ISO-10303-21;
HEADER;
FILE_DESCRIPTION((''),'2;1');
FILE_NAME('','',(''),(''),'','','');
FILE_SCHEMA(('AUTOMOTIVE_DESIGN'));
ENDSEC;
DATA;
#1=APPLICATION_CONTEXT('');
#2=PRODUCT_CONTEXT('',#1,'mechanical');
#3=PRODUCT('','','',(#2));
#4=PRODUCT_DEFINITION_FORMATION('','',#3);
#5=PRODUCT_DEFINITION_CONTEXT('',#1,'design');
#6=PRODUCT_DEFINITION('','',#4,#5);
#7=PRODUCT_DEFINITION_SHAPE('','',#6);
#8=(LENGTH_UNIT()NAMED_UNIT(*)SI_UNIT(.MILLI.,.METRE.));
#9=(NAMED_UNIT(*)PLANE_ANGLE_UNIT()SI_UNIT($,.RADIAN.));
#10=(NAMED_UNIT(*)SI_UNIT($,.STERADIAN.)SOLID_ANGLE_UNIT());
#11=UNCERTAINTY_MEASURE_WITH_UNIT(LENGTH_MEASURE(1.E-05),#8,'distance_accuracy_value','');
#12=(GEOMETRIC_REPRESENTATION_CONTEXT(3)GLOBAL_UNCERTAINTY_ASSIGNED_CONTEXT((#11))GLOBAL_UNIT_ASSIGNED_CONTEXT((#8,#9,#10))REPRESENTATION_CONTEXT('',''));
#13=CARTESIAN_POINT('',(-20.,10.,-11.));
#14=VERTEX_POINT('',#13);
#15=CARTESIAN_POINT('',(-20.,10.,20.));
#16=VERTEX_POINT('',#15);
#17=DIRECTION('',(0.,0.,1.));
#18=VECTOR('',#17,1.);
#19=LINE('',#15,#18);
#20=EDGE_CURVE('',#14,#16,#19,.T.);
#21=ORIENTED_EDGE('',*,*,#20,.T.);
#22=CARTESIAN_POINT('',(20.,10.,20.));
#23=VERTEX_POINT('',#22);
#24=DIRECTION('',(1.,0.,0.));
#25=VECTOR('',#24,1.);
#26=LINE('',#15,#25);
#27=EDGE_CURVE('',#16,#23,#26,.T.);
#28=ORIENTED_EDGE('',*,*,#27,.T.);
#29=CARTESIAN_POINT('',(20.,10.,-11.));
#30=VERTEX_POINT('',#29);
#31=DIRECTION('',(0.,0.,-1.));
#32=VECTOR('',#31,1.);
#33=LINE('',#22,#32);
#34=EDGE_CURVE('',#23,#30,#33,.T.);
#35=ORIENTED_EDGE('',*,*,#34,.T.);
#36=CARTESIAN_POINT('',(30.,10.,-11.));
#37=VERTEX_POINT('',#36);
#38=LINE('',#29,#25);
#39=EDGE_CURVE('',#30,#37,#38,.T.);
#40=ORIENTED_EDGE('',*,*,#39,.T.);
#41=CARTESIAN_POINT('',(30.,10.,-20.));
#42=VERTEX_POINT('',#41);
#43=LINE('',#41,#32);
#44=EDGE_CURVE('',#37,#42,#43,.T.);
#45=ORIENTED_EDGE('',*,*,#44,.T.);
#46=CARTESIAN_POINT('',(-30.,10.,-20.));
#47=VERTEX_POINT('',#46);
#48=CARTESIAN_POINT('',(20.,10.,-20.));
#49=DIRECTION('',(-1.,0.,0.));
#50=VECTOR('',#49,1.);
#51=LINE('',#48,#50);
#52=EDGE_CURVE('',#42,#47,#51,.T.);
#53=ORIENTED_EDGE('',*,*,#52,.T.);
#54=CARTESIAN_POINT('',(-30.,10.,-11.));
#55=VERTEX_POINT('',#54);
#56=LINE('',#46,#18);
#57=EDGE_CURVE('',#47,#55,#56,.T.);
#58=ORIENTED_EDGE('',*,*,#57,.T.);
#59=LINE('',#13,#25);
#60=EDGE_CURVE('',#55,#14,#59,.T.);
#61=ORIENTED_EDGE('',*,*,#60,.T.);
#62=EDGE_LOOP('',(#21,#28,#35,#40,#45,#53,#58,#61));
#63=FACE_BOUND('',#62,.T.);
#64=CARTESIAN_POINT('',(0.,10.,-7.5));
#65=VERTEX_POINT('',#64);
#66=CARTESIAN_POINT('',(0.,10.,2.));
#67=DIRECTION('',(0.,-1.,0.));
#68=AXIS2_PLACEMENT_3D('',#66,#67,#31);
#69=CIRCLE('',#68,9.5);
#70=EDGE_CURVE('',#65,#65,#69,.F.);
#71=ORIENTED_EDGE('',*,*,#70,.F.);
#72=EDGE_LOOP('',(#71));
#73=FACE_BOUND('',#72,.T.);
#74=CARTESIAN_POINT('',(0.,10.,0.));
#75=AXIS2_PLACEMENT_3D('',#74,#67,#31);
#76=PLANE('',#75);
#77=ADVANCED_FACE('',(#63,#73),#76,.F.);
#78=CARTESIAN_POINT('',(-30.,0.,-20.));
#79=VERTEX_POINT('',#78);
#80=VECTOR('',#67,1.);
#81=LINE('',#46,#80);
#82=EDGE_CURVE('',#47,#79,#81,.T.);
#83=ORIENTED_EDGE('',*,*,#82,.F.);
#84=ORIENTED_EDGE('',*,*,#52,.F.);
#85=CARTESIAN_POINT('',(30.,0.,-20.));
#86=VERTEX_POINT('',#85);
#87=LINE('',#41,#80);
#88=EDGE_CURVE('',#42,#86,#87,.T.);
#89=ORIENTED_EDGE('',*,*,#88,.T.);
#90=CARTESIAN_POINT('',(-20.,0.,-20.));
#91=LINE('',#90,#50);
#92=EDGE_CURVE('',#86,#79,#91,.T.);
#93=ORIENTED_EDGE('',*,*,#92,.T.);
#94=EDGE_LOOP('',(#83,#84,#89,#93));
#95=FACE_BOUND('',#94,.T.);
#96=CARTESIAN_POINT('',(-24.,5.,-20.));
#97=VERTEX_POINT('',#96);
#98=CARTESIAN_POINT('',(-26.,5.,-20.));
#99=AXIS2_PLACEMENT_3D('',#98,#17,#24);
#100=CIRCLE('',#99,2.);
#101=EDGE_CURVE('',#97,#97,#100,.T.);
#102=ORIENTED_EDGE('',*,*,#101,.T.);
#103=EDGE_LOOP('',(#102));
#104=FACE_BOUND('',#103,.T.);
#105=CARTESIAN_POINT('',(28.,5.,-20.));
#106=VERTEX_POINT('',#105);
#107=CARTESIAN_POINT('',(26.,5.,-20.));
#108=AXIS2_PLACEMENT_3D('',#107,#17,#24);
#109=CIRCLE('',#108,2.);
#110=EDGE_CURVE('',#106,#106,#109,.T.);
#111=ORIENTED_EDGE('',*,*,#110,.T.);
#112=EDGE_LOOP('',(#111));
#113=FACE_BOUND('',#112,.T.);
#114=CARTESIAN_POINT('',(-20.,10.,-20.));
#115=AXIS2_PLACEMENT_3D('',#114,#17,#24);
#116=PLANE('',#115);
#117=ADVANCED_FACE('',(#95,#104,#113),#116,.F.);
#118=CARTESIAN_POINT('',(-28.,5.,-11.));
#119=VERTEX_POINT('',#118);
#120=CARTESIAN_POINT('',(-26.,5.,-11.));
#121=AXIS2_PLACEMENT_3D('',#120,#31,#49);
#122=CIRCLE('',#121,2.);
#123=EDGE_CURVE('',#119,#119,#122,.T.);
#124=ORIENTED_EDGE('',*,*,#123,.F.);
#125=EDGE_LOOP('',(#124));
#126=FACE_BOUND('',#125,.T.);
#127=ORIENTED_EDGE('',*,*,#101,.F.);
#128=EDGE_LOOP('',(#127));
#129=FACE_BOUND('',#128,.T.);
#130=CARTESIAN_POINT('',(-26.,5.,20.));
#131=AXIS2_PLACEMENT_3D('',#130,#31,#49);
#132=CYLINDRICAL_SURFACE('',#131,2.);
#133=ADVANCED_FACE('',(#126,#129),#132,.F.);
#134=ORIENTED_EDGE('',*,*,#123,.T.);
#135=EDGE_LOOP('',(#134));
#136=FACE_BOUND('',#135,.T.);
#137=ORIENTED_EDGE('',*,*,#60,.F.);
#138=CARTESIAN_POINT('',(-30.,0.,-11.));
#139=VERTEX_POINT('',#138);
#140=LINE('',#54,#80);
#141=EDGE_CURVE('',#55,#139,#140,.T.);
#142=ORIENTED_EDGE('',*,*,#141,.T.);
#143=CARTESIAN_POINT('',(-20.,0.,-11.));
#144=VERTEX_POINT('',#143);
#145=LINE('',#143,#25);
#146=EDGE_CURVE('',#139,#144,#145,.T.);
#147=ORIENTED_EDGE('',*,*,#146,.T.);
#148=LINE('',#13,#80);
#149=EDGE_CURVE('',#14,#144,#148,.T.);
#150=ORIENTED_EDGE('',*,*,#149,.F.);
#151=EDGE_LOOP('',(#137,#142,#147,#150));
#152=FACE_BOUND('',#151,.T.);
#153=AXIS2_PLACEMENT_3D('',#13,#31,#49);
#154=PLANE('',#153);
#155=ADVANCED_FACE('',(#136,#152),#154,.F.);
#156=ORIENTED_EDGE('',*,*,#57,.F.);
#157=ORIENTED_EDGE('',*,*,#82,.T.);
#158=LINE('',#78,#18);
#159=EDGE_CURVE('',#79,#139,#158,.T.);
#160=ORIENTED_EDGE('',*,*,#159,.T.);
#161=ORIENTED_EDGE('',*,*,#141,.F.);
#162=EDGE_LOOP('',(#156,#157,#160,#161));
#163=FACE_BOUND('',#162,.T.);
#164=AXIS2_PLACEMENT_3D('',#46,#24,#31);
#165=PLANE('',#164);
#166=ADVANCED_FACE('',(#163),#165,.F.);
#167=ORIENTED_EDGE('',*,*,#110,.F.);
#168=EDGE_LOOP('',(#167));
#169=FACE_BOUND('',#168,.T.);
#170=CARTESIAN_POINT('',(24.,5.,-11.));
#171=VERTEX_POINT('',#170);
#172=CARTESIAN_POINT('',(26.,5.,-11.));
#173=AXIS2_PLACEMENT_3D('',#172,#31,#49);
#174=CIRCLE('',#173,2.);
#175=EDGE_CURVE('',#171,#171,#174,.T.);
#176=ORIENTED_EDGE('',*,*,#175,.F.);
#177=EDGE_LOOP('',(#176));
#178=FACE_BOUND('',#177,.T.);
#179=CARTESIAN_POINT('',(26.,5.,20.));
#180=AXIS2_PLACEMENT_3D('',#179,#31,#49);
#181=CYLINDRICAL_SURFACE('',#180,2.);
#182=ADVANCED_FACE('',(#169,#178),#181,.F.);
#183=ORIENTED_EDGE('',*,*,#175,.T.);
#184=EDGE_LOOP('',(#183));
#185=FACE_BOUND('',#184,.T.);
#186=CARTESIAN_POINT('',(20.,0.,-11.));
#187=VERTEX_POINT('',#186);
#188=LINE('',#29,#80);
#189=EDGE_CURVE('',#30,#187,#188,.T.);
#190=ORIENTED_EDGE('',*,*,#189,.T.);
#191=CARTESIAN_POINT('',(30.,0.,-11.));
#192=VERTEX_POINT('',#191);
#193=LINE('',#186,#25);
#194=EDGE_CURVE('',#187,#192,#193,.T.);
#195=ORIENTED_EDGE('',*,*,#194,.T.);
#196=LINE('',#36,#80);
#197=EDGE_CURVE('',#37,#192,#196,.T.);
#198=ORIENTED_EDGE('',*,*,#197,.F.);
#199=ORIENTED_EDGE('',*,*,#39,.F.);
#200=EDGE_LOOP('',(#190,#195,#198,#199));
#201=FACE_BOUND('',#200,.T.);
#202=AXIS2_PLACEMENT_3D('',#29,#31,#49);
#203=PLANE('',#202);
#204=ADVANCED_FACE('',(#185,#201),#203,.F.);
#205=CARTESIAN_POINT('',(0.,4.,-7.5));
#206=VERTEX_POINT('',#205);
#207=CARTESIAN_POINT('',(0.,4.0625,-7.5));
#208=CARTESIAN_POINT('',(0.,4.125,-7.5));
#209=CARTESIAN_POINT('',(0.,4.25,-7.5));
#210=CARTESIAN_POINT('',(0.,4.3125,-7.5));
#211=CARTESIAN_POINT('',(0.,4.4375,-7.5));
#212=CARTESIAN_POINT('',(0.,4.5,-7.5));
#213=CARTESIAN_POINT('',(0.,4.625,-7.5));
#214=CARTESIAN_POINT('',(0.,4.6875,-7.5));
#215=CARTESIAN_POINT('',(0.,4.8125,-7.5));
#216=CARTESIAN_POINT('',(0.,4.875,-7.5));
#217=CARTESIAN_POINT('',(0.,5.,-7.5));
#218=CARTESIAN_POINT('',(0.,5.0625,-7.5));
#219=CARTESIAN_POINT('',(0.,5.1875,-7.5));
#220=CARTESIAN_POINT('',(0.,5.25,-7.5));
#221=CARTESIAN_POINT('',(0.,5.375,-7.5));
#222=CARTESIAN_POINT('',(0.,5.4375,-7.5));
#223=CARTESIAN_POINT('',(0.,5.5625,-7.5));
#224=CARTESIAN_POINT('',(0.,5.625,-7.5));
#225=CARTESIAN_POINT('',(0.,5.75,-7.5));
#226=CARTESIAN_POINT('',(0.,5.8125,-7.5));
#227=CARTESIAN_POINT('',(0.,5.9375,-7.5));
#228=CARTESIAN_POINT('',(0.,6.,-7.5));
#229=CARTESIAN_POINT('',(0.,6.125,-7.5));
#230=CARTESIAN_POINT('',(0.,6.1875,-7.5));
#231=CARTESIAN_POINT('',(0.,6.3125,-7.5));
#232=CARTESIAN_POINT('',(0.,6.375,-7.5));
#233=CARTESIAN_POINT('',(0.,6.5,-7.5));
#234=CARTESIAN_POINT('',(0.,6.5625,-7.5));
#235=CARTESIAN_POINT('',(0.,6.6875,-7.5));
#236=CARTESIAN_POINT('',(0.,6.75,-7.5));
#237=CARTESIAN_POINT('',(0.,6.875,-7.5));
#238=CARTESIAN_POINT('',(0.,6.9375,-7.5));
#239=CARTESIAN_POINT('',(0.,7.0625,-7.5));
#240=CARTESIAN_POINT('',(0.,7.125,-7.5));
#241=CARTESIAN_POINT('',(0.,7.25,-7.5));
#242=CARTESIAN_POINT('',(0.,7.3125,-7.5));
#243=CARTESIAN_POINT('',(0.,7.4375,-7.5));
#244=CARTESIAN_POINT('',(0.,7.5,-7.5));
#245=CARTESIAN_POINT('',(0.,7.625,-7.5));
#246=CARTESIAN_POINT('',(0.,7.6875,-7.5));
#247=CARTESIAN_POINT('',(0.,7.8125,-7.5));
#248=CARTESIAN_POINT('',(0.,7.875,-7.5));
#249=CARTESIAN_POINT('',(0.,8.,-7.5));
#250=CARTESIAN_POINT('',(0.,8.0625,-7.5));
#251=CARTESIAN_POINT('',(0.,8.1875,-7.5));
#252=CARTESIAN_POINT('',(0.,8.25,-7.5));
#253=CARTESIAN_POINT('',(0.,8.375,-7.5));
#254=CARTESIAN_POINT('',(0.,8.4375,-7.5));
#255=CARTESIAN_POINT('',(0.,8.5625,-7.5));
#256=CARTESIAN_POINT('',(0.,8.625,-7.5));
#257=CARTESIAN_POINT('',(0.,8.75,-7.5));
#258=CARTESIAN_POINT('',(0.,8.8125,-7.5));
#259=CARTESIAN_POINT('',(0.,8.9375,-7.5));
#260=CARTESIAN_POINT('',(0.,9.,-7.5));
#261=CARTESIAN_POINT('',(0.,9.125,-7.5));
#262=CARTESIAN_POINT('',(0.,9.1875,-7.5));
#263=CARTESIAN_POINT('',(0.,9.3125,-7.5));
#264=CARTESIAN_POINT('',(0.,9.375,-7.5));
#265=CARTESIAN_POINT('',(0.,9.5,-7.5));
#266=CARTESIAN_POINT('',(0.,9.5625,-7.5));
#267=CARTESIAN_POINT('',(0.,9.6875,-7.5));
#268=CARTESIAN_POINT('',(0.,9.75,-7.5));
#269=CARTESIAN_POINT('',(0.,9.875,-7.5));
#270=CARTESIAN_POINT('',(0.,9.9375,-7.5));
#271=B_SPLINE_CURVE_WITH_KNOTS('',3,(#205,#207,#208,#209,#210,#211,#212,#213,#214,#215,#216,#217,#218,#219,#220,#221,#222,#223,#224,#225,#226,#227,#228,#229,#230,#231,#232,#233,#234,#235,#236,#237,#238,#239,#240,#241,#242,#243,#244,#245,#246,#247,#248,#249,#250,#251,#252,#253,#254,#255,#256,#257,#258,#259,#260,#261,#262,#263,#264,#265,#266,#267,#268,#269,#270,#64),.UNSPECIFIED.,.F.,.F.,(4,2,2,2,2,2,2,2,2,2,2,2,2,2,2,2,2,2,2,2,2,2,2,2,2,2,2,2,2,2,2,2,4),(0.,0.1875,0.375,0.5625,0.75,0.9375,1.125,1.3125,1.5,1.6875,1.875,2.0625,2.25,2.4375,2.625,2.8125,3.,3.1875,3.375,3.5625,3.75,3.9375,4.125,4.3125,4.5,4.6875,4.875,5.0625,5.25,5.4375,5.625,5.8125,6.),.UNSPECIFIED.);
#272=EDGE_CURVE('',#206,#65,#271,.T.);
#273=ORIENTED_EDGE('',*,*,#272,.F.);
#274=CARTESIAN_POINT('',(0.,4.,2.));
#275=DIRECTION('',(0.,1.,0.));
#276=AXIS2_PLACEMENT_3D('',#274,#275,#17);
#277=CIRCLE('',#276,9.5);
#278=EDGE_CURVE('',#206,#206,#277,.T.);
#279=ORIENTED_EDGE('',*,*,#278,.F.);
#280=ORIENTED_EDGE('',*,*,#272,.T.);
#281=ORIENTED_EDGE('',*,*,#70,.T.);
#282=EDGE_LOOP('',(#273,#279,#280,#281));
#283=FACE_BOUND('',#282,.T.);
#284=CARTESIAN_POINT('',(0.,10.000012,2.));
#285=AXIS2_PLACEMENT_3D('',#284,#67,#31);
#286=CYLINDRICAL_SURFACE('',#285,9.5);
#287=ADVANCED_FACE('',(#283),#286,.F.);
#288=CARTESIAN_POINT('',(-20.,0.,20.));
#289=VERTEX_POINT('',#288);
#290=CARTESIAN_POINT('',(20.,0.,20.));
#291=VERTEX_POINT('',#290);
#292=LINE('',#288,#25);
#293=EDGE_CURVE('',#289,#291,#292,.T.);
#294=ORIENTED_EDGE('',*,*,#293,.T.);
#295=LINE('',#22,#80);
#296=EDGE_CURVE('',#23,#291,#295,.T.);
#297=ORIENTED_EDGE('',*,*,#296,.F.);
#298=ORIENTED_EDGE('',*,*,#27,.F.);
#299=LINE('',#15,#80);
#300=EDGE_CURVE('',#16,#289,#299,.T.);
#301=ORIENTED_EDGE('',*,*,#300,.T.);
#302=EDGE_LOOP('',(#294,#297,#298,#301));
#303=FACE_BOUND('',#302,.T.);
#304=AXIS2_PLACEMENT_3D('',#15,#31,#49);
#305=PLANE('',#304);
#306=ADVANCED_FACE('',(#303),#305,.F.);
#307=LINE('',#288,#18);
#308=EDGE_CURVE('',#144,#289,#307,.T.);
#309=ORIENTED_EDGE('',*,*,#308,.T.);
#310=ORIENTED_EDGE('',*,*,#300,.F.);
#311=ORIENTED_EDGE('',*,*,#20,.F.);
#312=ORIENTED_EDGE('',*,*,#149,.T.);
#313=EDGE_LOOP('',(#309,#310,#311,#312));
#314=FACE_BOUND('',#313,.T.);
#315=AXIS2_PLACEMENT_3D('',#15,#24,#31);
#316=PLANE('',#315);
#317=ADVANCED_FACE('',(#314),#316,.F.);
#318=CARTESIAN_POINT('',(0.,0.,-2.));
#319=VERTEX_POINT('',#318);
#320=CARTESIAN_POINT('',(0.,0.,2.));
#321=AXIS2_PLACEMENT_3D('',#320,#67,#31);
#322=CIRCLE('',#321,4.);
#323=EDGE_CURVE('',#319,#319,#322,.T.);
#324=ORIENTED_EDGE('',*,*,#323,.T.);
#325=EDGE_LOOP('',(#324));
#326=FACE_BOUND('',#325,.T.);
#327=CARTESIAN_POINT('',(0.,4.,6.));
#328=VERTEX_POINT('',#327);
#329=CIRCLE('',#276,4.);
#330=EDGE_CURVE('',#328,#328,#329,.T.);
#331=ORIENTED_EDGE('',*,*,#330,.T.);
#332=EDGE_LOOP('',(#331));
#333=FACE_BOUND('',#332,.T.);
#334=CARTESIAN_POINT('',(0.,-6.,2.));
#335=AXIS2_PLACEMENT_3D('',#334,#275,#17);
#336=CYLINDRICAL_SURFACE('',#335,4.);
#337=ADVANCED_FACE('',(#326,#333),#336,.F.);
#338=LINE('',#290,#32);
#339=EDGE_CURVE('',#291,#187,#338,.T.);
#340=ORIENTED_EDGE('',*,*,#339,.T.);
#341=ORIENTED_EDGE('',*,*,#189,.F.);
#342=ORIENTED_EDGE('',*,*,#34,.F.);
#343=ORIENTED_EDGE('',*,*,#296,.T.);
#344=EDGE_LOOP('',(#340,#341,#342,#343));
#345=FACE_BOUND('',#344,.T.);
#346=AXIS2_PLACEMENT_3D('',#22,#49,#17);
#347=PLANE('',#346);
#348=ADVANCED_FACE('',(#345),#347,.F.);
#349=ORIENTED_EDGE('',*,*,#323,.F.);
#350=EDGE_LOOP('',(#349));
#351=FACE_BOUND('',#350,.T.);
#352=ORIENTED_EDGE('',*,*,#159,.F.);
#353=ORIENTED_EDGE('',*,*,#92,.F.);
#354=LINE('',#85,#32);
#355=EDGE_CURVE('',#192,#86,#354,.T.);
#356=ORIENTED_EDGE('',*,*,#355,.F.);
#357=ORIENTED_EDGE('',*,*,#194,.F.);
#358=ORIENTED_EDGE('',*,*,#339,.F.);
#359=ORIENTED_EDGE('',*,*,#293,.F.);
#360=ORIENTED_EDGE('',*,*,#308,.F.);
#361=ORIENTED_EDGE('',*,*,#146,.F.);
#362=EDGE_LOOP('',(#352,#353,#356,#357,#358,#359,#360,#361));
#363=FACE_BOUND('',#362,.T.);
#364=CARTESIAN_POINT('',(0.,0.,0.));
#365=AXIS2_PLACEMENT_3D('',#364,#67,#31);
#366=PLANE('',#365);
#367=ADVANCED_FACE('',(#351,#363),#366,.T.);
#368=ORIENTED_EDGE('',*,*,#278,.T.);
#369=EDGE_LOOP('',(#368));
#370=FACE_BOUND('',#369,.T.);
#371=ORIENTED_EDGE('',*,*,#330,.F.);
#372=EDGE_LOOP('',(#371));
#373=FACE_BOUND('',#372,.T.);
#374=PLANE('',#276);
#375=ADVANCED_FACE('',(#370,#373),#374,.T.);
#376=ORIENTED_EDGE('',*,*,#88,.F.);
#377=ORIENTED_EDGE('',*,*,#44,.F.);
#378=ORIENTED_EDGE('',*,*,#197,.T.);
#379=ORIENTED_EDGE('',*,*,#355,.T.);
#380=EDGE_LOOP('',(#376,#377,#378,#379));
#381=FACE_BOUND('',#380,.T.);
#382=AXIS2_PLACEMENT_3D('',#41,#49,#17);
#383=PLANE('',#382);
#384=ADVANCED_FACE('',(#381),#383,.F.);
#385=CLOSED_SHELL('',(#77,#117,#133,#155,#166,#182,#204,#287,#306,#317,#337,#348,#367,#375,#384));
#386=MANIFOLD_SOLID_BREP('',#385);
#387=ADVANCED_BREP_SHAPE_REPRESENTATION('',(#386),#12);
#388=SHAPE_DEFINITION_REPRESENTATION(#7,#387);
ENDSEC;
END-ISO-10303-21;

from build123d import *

# Parameters (mm, degrees)
BOSS_EXTRUDE1_DEPTH     = 10
CUT_EXTRUDE1_DEPTH      = 38.416573868
CUT_EXTRUDE1_DEPTH_BACK = 6
SKETCH3_R               = 9.5
SKETCH4_R               = 4
CUT_EXTRUDE2_DEPTH      = 10
CUT_EXTRUDE3_DEPTH      = 51.990195136
CUT_EXTRUDE3_DEPTH_BACK = 51.990195136
SKETCH5_R               = 2


with BuildPart() as part:
    # Sketch1 → Boss-Extrude1 (new body)
    with BuildSketch(Plane(origin=(0, 0, 0), x_dir=(1, 0, 0), z_dir=(0, 1, 0))):
        Polygon((-20, -20), (20, -20), (20, 11), (30, 11), (30, 20), (20, 20), (-20, 20), (-30, 20), (-30, 11), (-20, 11), align=None)
    extrude(amount=BOSS_EXTRUDE1_DEPTH)

    # Sketch3 → Cut-Extrude1 (cut, two sides: drawn at the far end of the back side and taken through both)
    with BuildSketch(Plane(origin=(0, 10, 0), x_dir=(1, 0, 0), z_dir=(0, 1, 0)).offset(-CUT_EXTRUDE1_DEPTH_BACK)):
        with Locations(Location((0, -2, 0), (0, 0, 90))):
            Circle(SKETCH3_R)
    extrude(amount=CUT_EXTRUDE1_DEPTH + CUT_EXTRUDE1_DEPTH_BACK, mode=Mode.SUBTRACT)

    # Sketch4 → Cut-Extrude2 (cut)
    with BuildSketch(Plane(origin=(0, 4, 0), x_dir=(1, 0, 0), z_dir=(0, 1, 0))):
        with Locations(Location((0, -2, 0), (0, 0, 270))):
            Circle(SKETCH4_R)
    extrude(amount=-CUT_EXTRUDE2_DEPTH, mode=Mode.SUBTRACT)

    # Sketch5 → Cut-Extrude3 (cut, two sides: drawn at the far end of the back side and taken through both)
    with BuildSketch(Plane(origin=(0, 0, -20), x_dir=(-1, 0, 0), z_dir=(0, 0, -1)).offset(-CUT_EXTRUDE3_DEPTH_BACK)):
        with Locations((-26, 5)):
            Circle(SKETCH5_R)
        with Locations((26, 5)):
            Circle(SKETCH5_R)
    extrude(amount=CUT_EXTRUDE3_DEPTH + CUT_EXTRUDE3_DEPTH_BACK, mode=Mode.SUBTRACT)


solid = part.part
